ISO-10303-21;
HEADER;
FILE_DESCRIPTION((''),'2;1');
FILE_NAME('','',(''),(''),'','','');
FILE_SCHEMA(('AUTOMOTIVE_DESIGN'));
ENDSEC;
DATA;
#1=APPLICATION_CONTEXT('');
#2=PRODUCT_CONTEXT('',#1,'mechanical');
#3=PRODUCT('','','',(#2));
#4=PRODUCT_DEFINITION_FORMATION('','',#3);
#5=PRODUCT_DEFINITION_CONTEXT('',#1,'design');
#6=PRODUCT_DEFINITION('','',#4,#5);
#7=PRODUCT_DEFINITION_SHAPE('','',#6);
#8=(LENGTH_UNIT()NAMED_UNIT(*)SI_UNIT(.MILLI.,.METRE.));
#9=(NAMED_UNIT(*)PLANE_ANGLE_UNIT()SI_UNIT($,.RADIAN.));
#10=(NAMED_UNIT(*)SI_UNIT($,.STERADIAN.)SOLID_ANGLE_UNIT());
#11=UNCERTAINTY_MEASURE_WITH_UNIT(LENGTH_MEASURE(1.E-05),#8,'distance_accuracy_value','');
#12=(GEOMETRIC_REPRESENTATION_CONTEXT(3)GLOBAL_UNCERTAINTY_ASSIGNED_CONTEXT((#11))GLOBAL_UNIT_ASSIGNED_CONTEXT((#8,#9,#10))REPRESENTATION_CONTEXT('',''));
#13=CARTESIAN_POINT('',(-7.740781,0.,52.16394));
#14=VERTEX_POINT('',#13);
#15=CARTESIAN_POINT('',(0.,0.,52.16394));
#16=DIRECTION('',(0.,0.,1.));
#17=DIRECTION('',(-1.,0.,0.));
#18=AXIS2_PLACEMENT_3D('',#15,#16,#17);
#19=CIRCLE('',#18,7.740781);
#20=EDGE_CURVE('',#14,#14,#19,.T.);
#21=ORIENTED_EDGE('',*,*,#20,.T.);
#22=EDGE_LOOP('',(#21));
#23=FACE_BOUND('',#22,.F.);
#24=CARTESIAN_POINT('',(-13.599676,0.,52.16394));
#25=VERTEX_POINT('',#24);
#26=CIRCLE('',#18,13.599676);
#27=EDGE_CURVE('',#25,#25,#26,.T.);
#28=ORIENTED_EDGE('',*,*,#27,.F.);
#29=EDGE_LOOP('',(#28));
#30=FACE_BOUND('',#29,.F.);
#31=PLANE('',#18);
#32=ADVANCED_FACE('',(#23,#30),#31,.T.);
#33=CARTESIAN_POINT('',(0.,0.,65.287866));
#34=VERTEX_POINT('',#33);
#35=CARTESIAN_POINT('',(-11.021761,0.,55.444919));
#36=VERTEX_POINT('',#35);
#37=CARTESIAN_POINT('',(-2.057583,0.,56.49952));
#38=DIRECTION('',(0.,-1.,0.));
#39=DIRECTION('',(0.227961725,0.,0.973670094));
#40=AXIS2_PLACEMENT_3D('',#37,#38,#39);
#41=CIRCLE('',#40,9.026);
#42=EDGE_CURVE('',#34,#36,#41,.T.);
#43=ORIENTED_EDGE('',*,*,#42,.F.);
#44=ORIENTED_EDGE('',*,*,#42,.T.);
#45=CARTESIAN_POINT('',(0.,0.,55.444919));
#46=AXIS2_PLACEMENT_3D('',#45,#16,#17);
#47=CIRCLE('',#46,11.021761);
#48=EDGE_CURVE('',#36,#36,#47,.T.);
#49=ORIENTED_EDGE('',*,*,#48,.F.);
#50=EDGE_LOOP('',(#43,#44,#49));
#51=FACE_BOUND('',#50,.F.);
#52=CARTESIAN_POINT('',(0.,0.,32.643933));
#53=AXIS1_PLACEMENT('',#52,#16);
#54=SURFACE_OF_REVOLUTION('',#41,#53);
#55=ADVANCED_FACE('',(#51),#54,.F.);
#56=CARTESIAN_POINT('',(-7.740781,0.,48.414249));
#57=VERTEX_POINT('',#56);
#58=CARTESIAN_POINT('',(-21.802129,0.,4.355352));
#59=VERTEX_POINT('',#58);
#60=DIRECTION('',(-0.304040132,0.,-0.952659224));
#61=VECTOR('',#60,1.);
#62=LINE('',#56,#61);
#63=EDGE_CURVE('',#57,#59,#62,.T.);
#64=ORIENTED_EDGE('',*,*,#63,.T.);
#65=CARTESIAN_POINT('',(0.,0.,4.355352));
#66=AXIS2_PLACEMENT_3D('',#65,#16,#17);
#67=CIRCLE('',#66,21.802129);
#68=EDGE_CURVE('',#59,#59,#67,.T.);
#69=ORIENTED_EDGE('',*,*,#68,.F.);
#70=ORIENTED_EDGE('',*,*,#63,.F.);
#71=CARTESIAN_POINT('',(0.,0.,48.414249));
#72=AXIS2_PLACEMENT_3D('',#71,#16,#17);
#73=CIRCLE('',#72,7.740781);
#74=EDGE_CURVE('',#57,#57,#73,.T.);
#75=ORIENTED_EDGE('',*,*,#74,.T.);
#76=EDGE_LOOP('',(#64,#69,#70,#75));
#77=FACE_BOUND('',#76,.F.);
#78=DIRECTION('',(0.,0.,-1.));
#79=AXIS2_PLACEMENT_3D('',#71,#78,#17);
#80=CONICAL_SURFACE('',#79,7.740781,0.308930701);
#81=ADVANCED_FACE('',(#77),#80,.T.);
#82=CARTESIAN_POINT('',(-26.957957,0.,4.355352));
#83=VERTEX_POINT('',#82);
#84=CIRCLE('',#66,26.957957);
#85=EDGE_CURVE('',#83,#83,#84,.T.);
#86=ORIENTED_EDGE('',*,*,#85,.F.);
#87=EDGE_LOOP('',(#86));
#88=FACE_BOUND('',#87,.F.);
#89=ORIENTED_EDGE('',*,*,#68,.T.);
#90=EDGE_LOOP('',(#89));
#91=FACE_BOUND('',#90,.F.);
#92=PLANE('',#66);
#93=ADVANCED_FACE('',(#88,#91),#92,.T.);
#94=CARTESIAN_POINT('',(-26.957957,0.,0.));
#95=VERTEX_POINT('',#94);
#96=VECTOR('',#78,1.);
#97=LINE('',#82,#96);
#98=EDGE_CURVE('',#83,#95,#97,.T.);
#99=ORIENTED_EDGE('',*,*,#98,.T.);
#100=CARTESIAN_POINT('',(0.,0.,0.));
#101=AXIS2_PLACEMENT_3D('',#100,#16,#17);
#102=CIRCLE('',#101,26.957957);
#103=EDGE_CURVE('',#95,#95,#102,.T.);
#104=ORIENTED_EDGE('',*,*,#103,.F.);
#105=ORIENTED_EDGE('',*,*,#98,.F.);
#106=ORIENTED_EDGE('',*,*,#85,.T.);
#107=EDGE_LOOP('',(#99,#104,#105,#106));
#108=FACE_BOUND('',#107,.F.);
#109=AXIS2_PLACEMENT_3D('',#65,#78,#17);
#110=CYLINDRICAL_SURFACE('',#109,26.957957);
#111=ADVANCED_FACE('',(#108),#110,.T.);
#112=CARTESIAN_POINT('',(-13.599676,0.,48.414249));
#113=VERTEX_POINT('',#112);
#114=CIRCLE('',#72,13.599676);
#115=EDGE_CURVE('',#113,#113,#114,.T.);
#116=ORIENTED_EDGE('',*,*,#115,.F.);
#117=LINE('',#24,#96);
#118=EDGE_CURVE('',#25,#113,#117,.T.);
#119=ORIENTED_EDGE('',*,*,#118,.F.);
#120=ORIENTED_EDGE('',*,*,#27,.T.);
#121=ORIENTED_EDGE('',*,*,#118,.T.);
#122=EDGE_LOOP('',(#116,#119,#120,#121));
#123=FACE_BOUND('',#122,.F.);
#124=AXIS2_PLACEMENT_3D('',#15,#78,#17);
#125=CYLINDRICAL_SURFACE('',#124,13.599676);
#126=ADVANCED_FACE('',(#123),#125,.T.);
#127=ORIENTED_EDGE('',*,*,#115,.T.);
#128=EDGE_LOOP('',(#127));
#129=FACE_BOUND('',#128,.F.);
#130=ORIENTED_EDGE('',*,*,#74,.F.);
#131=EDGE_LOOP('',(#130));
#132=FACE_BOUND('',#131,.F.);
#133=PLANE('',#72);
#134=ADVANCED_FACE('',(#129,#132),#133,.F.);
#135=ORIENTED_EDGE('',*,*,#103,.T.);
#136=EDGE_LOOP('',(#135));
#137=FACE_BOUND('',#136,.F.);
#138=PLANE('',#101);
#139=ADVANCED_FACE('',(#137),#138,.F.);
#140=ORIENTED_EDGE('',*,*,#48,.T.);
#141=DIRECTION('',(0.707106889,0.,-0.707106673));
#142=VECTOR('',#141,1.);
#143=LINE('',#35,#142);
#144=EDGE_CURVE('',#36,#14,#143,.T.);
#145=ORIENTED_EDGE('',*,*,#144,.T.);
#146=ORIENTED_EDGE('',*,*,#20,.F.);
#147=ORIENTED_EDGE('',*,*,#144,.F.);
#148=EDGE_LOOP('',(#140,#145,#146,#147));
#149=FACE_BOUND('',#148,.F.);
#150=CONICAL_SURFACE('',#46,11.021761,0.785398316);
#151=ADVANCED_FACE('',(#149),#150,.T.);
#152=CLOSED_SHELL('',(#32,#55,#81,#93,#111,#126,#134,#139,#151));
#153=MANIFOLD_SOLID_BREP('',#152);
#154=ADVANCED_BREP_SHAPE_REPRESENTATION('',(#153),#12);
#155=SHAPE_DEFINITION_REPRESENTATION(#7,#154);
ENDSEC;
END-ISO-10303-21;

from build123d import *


with BuildPart() as f1:
    # F0 (on Front) → F1 (revolve)
    with BuildSketch(Plane.XZ):
        with BuildLine():
            Line((-26.957957, 0), (0, 0))
            Line((0, 0), (0, 65.287866))
            ThreePointArc((0, 65.287866), (-8.069751, 63.231719), (-11.021761, 55.444919))
            Line((-11.021761, 55.444919), (-7.740781, 52.16394))
            Line((-7.740781, 52.16394), (-13.599676, 52.16394))
            Line((-13.599676, 52.16394), (-13.599676, 48.414249))
            Line((-13.599676, 48.414249), (-7.740781, 48.414249))
            Line((-7.740781, 48.414249), (-21.802129, 4.355352))
            Line((-21.802129, 4.355352), (-26.957957, 4.355352))
            Line((-26.957957, 4.355352), (-26.957957, 0))
        make_face()
    revolve(axis=Axis((0, 0, 32.643933), (0, 0, 1)))


solid = f1.part
